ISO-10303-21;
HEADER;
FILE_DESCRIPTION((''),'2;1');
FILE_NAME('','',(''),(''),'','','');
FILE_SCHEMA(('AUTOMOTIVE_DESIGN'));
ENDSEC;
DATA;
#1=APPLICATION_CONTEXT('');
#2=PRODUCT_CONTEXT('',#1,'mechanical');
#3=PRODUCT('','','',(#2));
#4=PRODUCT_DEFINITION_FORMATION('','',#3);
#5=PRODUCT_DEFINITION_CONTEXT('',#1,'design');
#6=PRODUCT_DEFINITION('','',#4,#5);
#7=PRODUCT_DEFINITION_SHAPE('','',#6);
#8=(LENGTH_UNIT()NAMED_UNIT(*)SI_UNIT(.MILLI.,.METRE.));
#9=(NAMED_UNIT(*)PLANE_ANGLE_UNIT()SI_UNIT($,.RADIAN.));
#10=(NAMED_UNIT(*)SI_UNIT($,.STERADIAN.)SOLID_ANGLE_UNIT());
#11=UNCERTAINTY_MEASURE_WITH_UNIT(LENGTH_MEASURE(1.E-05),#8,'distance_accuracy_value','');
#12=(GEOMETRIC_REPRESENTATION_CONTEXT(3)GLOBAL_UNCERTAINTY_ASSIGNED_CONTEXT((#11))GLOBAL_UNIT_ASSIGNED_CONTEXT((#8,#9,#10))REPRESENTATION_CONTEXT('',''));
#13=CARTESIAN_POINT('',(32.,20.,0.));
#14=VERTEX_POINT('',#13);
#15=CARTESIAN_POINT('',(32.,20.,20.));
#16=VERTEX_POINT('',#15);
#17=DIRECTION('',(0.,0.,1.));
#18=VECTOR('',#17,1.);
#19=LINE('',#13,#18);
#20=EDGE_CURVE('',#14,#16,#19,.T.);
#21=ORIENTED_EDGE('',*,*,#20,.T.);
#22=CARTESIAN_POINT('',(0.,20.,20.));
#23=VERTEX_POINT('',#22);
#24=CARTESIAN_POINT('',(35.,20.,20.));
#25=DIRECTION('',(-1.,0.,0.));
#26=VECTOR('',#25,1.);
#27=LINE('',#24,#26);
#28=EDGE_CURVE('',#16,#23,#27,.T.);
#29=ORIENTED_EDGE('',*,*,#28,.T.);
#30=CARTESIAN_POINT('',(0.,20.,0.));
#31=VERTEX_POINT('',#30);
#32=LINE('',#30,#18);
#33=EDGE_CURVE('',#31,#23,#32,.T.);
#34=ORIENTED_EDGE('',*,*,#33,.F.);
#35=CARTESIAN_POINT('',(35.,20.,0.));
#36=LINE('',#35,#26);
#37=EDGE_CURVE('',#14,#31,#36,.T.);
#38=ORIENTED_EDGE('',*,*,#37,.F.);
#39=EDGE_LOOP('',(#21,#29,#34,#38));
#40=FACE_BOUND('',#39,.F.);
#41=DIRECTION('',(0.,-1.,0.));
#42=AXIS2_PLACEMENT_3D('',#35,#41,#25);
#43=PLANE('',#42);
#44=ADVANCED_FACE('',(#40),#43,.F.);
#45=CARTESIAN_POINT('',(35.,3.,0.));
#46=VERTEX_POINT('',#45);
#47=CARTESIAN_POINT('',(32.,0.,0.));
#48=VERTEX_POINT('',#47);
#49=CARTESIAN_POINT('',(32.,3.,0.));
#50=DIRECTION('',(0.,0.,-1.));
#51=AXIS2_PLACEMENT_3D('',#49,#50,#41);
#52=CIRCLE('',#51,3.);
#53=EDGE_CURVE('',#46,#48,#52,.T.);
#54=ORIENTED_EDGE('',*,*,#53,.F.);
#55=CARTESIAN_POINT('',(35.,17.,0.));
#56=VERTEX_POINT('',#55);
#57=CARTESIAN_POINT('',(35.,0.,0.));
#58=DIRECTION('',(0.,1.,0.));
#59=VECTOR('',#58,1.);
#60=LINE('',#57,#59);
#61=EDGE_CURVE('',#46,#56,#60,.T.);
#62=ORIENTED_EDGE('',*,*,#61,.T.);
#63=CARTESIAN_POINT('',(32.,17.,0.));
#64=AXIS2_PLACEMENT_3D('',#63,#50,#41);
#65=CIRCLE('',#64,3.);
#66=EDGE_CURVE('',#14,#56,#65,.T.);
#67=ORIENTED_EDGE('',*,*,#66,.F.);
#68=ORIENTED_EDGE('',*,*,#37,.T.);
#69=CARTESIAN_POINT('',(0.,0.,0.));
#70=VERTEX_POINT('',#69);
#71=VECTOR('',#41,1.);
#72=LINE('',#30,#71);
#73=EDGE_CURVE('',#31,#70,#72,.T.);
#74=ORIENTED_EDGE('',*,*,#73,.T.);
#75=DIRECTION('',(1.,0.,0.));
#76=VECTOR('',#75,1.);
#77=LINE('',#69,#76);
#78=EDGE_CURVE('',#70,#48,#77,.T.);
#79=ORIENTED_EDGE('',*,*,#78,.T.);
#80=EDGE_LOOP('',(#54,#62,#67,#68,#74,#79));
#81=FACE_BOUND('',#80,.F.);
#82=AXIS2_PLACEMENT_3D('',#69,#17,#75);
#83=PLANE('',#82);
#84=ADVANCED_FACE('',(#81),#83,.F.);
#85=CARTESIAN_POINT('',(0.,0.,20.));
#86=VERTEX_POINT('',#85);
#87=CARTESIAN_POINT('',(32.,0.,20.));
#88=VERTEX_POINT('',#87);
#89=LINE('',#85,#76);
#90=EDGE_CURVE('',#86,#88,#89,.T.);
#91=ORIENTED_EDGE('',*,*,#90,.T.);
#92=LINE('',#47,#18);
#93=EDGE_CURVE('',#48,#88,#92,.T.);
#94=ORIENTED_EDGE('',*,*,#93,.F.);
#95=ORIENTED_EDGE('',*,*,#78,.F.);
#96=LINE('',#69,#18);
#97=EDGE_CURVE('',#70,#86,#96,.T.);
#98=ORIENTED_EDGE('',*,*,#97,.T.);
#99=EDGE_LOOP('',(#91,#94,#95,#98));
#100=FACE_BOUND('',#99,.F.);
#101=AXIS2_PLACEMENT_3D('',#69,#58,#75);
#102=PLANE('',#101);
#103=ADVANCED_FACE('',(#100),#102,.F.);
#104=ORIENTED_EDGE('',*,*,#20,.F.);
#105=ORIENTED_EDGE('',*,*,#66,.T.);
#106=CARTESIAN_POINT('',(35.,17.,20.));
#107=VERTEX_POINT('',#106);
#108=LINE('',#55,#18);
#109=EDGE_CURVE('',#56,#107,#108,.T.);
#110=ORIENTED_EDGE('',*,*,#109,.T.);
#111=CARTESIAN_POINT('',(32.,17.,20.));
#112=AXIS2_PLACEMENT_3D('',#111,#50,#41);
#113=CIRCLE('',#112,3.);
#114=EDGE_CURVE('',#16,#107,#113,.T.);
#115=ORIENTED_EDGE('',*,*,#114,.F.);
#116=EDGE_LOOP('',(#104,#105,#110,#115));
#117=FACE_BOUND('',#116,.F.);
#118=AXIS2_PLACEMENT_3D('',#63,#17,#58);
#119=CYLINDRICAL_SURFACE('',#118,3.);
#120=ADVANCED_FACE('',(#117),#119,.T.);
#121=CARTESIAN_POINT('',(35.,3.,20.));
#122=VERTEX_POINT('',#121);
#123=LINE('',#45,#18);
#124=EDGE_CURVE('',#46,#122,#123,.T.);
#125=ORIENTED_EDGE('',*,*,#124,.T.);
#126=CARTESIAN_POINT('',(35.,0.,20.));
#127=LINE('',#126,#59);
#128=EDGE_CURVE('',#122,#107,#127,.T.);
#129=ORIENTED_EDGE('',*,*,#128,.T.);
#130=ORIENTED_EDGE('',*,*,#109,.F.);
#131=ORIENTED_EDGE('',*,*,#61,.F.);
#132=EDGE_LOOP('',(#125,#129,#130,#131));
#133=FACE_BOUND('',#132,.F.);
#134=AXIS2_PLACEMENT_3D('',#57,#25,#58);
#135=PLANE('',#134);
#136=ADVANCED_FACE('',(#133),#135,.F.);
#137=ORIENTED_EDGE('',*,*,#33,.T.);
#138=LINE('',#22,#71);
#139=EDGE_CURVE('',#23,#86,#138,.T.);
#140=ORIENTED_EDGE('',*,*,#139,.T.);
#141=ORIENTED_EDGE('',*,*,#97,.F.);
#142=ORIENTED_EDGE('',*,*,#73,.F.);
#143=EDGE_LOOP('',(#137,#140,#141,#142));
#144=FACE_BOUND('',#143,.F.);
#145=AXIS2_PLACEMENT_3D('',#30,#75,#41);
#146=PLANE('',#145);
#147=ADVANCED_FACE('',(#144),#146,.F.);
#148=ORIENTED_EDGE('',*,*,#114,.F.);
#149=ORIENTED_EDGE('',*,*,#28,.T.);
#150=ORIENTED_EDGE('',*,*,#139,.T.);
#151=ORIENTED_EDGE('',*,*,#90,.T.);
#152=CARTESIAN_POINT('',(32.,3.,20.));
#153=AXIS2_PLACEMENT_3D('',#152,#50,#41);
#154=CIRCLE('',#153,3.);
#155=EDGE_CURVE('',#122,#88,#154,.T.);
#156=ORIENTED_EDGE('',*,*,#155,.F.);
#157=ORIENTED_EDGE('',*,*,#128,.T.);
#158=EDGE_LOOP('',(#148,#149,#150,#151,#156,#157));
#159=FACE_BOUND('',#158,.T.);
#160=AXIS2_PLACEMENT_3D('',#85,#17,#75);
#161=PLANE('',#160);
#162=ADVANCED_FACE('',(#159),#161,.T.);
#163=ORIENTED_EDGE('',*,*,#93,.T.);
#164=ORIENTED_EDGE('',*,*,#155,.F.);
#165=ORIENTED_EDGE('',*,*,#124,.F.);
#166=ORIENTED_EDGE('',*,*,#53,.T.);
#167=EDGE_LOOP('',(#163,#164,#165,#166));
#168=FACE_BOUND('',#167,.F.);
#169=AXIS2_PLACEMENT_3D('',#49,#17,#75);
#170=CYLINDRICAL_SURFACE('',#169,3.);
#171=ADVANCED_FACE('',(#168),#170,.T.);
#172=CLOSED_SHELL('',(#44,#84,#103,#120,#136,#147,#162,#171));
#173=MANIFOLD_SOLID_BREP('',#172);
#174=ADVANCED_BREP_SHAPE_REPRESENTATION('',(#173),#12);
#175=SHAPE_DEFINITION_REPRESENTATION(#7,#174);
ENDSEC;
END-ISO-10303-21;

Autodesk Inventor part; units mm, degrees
ref_plane "YZ Plane" through (0, 0, 0) normal (1, 0, 0) x (0, 1, 0)
ref_plane "XZ Plane" through (0, 0, 0) normal (0, 1, 0) x (-1, 0, 0)
ref_plane "XY Plane" through (0, 0, 0) normal (0, 0, 1) x (1, 0, 0)
sketch "스케치1" plane through (0, 0, 0) normal (0, 0, 1) x (1, 0, 0)
  line L0 (0, 0) -> (35, 0)
  line L1 (35, 0) -> (35, 20)
  line L2 (35, 20) -> (0, 20)
  line L3 (0, 20) -> (0, 0)
  dimension "d0" = 35
  dimension "d1" = 20
extrude "돌출1" add sketch "스케치1" along normal blind 20
fillet "모깎기1" radius 3 2 edges at (35, 20, 10) (35, 0, 10)
properties part number "모터"
